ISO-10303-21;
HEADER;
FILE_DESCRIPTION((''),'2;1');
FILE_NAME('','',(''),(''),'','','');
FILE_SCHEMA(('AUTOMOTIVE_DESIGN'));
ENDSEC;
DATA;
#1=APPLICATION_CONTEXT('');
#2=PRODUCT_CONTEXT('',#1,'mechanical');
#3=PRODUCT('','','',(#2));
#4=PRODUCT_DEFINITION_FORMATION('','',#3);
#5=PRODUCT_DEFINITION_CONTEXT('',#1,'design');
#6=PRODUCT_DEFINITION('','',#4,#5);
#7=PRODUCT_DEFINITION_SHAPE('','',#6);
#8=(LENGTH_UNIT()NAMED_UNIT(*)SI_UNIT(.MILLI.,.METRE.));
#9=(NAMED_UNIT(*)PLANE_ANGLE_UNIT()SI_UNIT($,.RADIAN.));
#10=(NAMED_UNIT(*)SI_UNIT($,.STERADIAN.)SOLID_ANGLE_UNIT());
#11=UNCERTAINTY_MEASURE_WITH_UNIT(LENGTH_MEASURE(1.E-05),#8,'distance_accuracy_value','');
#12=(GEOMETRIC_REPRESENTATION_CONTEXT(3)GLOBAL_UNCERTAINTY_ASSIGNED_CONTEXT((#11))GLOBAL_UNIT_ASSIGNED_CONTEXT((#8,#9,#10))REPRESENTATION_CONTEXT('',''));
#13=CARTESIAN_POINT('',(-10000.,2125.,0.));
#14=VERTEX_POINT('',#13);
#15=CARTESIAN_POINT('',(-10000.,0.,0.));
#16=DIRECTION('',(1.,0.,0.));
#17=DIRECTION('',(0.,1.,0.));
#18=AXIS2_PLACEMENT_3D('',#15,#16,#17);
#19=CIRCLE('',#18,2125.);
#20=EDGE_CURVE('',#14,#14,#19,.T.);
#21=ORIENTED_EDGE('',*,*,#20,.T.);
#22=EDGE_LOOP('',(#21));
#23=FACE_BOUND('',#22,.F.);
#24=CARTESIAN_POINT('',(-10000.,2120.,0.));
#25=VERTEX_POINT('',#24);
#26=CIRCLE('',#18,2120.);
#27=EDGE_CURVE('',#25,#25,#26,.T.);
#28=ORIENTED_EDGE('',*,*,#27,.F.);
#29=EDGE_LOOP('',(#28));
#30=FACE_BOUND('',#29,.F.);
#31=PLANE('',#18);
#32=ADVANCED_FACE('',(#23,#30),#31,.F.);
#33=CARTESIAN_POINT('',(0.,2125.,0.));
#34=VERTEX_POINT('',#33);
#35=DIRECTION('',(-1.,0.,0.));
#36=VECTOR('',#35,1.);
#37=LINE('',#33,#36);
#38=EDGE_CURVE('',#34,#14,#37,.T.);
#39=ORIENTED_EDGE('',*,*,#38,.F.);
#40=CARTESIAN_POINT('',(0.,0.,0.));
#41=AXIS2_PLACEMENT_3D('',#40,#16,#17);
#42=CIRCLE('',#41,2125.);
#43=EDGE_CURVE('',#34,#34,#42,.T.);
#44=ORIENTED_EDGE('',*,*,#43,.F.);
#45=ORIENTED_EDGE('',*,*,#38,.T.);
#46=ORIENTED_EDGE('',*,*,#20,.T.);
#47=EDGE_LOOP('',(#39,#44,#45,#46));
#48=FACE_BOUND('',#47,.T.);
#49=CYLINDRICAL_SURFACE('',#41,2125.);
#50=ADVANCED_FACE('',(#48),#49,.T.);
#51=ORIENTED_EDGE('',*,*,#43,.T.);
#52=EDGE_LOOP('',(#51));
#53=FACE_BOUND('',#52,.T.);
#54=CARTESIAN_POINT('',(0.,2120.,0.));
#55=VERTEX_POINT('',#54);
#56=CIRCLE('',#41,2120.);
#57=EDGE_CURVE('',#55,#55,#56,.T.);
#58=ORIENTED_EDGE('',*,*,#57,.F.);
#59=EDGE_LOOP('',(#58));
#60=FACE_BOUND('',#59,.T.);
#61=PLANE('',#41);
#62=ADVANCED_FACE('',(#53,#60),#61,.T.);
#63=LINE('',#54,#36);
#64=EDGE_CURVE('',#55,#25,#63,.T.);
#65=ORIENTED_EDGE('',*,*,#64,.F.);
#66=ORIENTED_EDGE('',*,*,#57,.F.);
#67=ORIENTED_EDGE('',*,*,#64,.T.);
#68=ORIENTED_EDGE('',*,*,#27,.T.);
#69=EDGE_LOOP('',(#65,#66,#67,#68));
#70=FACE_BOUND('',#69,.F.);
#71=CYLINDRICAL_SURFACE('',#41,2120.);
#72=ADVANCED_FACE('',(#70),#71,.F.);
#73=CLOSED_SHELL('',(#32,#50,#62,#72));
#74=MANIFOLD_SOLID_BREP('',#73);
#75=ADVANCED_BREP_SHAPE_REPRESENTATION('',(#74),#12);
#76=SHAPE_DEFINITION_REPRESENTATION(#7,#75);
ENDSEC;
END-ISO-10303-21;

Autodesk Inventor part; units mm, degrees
ref_plane "YZ Plane" through (0, 0, 0) normal (1, 0, 0) x (0, 1, 0)
ref_plane "XY Plane" through (0, 0, 0) normal (0, 0, 1) x (1, 0, 0)
sketch "Sketch1" plane through (0, 0, 0) normal (1, 0, 0) x (0, 1, 0)
  circle A0 centre (0, 0) radius 2125
  dimension "d0" = 4250
extrude "Extrusion1" add sketch "Sketch1" against normal blind 10000
shell "Shell1" thickness 5 removed faces 2 at (0, -479.1257, -442.9355) at (-10000, -479.1257, -442.9355)
properties part number "Pressure Vessel, Single Part" material "Aluminum 6061"
